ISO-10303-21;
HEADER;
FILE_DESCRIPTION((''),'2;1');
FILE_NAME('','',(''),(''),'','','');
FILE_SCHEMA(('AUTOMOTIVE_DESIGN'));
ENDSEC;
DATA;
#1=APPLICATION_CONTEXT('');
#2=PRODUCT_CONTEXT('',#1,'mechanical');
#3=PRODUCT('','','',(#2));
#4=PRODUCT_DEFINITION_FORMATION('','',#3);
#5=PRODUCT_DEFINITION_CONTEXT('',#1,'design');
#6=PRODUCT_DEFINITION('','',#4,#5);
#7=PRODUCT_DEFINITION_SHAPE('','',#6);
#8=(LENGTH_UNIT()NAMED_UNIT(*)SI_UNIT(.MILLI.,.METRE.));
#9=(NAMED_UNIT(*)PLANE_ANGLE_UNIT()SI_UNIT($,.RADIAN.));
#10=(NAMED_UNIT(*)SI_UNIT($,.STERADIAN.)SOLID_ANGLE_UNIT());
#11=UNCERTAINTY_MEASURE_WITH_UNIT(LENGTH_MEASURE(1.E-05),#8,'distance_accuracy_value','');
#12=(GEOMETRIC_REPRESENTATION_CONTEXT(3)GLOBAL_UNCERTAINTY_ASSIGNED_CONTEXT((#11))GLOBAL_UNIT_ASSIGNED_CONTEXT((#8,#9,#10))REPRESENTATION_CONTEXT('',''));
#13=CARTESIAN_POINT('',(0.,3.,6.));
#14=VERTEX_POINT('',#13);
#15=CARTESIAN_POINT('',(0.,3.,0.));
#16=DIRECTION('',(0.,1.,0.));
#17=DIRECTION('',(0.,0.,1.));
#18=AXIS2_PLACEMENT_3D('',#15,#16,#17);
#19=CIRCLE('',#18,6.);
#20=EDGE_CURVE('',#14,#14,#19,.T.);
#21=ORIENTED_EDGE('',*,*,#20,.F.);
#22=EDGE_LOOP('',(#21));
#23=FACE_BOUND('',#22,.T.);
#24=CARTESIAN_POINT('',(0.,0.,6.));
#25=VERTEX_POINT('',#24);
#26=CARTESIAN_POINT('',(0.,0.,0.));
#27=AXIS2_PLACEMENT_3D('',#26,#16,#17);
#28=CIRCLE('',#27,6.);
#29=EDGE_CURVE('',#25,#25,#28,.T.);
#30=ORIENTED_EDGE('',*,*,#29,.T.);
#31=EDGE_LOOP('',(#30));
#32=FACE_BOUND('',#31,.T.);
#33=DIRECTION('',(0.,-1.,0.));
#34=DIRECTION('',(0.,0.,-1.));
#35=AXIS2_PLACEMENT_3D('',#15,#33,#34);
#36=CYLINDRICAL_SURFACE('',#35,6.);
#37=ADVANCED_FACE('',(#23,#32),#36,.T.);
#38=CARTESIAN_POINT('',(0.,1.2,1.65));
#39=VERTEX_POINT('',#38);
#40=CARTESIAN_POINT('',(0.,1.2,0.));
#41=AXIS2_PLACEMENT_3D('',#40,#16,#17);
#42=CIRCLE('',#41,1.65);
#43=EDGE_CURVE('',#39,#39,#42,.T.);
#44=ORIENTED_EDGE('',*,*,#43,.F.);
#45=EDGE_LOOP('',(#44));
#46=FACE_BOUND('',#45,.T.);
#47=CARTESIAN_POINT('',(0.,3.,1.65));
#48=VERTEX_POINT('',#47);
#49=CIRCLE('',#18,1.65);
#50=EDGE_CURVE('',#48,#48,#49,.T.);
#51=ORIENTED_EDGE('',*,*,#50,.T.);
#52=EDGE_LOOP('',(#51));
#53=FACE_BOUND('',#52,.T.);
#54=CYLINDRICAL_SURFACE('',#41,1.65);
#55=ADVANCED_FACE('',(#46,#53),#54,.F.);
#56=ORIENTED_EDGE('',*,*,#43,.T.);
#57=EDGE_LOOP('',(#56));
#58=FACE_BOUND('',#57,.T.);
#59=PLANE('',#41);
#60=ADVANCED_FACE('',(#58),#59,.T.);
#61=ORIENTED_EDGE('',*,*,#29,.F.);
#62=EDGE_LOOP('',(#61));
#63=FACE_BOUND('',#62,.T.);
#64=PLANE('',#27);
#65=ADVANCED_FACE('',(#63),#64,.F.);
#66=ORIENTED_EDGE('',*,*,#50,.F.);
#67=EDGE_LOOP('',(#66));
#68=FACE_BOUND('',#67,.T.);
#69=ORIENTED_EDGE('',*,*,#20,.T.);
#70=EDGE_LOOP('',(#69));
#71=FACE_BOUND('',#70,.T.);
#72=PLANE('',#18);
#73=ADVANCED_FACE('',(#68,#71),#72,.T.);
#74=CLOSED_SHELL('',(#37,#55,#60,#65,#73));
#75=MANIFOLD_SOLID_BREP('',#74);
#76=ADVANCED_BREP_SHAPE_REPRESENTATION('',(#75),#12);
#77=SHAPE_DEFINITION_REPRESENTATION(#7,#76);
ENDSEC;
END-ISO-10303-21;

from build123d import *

# Parameters (mm, degrees)
SKETCH1_R           = 6
BOSS_EXTRUDE1_DEPTH = 3
SKETCH2_R           = 1.65
CUT_EXTRUDE1_DEPTH  = 1.8


with BuildPart() as part:
    # Sketch1 → Boss-Extrude1 (new body)
    with BuildSketch(Plane(origin=(0, 0, 0), x_dir=(1, 0, 0), z_dir=(0, 1, 0))):
        with Locations(Location((0, 0, 0), (0, 0, 270))):
            Circle(SKETCH1_R)
    extrude(amount=BOSS_EXTRUDE1_DEPTH)

    # Sketch2 → Cut-Extrude1 (cut)
    with BuildSketch(Plane(origin=(0, 3, 0), x_dir=(1, 0, 0), z_dir=(0, 1, 0))):
        with Locations(Location((0, 0, 0), (0, 0, 270))):
            Circle(SKETCH2_R)
    extrude(amount=-CUT_EXTRUDE1_DEPTH, mode=Mode.SUBTRACT)


solid = part.part
